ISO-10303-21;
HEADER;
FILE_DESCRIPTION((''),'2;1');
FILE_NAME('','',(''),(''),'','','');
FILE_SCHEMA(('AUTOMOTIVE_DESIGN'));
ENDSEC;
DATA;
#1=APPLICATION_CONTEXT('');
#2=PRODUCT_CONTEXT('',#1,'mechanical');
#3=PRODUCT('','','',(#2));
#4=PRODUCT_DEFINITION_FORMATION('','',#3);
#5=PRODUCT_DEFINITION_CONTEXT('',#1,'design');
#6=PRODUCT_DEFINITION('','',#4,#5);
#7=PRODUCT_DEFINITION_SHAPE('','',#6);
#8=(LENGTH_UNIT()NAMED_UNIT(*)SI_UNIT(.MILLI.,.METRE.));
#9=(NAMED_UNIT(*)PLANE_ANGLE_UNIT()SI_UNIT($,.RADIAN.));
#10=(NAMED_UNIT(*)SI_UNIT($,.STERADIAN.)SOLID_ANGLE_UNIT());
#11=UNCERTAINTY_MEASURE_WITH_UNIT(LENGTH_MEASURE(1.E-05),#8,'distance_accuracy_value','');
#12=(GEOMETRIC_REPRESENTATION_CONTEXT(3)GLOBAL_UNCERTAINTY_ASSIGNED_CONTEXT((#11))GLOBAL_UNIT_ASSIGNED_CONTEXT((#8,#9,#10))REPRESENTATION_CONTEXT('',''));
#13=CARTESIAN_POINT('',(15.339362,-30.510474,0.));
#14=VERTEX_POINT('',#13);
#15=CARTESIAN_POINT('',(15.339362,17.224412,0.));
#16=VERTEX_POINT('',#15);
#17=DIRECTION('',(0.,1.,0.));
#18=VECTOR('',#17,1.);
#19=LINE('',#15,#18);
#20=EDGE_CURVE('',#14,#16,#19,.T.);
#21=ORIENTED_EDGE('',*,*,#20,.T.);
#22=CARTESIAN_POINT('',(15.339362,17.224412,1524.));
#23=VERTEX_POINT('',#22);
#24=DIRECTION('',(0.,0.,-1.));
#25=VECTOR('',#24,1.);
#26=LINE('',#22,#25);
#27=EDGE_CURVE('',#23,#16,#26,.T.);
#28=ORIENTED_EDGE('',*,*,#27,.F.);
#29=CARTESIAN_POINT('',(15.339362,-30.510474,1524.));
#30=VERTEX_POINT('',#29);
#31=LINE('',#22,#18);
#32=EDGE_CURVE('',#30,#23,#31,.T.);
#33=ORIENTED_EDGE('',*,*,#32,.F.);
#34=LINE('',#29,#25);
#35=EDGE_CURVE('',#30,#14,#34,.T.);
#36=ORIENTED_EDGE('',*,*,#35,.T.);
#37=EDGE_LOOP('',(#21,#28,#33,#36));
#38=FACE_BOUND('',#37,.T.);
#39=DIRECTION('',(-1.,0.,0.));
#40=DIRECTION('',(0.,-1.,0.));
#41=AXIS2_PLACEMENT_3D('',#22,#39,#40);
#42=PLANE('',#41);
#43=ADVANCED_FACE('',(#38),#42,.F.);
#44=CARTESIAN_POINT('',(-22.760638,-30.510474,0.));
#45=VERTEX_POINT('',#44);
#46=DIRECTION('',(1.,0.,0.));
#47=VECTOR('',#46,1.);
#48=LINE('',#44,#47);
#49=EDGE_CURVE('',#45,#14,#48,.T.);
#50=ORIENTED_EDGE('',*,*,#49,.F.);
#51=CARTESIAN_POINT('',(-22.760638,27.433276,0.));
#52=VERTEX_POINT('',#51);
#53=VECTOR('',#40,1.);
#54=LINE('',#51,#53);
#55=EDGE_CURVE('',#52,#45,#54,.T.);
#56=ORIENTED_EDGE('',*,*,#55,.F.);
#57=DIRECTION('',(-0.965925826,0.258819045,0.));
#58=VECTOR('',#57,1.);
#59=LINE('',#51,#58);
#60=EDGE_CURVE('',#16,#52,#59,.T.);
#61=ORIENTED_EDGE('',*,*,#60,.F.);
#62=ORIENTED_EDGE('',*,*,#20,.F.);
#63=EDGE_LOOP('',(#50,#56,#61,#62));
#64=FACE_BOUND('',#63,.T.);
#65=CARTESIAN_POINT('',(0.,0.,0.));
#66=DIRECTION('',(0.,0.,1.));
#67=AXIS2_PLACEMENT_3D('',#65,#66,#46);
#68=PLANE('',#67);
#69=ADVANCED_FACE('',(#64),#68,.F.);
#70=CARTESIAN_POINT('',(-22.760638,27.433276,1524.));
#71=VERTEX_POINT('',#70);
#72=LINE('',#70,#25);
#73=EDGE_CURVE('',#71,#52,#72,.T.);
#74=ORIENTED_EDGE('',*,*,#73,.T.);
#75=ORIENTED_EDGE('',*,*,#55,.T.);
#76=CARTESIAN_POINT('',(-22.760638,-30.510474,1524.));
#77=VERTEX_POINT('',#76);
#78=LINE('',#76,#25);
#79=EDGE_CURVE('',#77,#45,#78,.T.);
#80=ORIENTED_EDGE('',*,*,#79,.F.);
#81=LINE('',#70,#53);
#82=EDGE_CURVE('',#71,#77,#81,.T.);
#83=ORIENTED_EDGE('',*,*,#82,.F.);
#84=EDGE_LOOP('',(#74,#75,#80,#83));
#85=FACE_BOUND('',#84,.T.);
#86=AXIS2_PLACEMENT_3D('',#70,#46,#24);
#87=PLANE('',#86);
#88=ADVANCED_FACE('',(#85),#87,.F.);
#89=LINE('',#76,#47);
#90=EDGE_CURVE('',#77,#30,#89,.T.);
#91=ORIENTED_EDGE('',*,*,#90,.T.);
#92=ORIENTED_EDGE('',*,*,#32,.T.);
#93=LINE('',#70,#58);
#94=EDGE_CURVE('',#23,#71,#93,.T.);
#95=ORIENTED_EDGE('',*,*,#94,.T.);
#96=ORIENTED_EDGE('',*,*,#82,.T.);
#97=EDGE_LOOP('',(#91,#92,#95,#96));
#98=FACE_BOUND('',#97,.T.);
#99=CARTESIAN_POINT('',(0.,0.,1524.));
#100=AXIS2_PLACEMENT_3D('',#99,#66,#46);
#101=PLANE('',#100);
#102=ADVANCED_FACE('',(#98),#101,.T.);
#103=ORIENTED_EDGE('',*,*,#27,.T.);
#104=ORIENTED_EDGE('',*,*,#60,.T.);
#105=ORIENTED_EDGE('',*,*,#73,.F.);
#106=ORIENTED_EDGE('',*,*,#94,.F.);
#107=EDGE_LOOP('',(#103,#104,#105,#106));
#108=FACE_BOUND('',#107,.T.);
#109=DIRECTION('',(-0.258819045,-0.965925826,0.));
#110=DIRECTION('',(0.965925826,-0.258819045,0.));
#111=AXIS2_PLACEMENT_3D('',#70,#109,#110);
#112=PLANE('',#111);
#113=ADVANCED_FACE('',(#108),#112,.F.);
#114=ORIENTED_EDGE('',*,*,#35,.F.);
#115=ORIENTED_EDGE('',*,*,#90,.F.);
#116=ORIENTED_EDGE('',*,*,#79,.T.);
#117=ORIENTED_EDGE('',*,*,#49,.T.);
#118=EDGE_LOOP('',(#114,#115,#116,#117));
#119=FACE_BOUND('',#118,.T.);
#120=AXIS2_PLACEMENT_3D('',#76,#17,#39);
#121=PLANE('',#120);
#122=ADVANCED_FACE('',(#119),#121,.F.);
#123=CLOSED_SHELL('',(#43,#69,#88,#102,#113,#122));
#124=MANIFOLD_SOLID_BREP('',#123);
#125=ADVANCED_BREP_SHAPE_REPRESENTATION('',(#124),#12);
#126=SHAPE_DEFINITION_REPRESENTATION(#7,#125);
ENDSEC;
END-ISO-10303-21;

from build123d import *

# Parameters (mm, degrees)
BOSS_EXTRUDE1_DEPTH = 1524


with BuildPart() as part:
    # Sketch1 → Boss-Extrude1 (new body)
    with BuildSketch(Plane.XY):
        Polygon((-22.760638199, 27.433275777), (15.339361801, 17.224411546), (15.339361801, -30.510474223), (-22.760638199, -30.510474223), align=None)
    extrude(amount=BOSS_EXTRUDE1_DEPTH)


solid = part.part
